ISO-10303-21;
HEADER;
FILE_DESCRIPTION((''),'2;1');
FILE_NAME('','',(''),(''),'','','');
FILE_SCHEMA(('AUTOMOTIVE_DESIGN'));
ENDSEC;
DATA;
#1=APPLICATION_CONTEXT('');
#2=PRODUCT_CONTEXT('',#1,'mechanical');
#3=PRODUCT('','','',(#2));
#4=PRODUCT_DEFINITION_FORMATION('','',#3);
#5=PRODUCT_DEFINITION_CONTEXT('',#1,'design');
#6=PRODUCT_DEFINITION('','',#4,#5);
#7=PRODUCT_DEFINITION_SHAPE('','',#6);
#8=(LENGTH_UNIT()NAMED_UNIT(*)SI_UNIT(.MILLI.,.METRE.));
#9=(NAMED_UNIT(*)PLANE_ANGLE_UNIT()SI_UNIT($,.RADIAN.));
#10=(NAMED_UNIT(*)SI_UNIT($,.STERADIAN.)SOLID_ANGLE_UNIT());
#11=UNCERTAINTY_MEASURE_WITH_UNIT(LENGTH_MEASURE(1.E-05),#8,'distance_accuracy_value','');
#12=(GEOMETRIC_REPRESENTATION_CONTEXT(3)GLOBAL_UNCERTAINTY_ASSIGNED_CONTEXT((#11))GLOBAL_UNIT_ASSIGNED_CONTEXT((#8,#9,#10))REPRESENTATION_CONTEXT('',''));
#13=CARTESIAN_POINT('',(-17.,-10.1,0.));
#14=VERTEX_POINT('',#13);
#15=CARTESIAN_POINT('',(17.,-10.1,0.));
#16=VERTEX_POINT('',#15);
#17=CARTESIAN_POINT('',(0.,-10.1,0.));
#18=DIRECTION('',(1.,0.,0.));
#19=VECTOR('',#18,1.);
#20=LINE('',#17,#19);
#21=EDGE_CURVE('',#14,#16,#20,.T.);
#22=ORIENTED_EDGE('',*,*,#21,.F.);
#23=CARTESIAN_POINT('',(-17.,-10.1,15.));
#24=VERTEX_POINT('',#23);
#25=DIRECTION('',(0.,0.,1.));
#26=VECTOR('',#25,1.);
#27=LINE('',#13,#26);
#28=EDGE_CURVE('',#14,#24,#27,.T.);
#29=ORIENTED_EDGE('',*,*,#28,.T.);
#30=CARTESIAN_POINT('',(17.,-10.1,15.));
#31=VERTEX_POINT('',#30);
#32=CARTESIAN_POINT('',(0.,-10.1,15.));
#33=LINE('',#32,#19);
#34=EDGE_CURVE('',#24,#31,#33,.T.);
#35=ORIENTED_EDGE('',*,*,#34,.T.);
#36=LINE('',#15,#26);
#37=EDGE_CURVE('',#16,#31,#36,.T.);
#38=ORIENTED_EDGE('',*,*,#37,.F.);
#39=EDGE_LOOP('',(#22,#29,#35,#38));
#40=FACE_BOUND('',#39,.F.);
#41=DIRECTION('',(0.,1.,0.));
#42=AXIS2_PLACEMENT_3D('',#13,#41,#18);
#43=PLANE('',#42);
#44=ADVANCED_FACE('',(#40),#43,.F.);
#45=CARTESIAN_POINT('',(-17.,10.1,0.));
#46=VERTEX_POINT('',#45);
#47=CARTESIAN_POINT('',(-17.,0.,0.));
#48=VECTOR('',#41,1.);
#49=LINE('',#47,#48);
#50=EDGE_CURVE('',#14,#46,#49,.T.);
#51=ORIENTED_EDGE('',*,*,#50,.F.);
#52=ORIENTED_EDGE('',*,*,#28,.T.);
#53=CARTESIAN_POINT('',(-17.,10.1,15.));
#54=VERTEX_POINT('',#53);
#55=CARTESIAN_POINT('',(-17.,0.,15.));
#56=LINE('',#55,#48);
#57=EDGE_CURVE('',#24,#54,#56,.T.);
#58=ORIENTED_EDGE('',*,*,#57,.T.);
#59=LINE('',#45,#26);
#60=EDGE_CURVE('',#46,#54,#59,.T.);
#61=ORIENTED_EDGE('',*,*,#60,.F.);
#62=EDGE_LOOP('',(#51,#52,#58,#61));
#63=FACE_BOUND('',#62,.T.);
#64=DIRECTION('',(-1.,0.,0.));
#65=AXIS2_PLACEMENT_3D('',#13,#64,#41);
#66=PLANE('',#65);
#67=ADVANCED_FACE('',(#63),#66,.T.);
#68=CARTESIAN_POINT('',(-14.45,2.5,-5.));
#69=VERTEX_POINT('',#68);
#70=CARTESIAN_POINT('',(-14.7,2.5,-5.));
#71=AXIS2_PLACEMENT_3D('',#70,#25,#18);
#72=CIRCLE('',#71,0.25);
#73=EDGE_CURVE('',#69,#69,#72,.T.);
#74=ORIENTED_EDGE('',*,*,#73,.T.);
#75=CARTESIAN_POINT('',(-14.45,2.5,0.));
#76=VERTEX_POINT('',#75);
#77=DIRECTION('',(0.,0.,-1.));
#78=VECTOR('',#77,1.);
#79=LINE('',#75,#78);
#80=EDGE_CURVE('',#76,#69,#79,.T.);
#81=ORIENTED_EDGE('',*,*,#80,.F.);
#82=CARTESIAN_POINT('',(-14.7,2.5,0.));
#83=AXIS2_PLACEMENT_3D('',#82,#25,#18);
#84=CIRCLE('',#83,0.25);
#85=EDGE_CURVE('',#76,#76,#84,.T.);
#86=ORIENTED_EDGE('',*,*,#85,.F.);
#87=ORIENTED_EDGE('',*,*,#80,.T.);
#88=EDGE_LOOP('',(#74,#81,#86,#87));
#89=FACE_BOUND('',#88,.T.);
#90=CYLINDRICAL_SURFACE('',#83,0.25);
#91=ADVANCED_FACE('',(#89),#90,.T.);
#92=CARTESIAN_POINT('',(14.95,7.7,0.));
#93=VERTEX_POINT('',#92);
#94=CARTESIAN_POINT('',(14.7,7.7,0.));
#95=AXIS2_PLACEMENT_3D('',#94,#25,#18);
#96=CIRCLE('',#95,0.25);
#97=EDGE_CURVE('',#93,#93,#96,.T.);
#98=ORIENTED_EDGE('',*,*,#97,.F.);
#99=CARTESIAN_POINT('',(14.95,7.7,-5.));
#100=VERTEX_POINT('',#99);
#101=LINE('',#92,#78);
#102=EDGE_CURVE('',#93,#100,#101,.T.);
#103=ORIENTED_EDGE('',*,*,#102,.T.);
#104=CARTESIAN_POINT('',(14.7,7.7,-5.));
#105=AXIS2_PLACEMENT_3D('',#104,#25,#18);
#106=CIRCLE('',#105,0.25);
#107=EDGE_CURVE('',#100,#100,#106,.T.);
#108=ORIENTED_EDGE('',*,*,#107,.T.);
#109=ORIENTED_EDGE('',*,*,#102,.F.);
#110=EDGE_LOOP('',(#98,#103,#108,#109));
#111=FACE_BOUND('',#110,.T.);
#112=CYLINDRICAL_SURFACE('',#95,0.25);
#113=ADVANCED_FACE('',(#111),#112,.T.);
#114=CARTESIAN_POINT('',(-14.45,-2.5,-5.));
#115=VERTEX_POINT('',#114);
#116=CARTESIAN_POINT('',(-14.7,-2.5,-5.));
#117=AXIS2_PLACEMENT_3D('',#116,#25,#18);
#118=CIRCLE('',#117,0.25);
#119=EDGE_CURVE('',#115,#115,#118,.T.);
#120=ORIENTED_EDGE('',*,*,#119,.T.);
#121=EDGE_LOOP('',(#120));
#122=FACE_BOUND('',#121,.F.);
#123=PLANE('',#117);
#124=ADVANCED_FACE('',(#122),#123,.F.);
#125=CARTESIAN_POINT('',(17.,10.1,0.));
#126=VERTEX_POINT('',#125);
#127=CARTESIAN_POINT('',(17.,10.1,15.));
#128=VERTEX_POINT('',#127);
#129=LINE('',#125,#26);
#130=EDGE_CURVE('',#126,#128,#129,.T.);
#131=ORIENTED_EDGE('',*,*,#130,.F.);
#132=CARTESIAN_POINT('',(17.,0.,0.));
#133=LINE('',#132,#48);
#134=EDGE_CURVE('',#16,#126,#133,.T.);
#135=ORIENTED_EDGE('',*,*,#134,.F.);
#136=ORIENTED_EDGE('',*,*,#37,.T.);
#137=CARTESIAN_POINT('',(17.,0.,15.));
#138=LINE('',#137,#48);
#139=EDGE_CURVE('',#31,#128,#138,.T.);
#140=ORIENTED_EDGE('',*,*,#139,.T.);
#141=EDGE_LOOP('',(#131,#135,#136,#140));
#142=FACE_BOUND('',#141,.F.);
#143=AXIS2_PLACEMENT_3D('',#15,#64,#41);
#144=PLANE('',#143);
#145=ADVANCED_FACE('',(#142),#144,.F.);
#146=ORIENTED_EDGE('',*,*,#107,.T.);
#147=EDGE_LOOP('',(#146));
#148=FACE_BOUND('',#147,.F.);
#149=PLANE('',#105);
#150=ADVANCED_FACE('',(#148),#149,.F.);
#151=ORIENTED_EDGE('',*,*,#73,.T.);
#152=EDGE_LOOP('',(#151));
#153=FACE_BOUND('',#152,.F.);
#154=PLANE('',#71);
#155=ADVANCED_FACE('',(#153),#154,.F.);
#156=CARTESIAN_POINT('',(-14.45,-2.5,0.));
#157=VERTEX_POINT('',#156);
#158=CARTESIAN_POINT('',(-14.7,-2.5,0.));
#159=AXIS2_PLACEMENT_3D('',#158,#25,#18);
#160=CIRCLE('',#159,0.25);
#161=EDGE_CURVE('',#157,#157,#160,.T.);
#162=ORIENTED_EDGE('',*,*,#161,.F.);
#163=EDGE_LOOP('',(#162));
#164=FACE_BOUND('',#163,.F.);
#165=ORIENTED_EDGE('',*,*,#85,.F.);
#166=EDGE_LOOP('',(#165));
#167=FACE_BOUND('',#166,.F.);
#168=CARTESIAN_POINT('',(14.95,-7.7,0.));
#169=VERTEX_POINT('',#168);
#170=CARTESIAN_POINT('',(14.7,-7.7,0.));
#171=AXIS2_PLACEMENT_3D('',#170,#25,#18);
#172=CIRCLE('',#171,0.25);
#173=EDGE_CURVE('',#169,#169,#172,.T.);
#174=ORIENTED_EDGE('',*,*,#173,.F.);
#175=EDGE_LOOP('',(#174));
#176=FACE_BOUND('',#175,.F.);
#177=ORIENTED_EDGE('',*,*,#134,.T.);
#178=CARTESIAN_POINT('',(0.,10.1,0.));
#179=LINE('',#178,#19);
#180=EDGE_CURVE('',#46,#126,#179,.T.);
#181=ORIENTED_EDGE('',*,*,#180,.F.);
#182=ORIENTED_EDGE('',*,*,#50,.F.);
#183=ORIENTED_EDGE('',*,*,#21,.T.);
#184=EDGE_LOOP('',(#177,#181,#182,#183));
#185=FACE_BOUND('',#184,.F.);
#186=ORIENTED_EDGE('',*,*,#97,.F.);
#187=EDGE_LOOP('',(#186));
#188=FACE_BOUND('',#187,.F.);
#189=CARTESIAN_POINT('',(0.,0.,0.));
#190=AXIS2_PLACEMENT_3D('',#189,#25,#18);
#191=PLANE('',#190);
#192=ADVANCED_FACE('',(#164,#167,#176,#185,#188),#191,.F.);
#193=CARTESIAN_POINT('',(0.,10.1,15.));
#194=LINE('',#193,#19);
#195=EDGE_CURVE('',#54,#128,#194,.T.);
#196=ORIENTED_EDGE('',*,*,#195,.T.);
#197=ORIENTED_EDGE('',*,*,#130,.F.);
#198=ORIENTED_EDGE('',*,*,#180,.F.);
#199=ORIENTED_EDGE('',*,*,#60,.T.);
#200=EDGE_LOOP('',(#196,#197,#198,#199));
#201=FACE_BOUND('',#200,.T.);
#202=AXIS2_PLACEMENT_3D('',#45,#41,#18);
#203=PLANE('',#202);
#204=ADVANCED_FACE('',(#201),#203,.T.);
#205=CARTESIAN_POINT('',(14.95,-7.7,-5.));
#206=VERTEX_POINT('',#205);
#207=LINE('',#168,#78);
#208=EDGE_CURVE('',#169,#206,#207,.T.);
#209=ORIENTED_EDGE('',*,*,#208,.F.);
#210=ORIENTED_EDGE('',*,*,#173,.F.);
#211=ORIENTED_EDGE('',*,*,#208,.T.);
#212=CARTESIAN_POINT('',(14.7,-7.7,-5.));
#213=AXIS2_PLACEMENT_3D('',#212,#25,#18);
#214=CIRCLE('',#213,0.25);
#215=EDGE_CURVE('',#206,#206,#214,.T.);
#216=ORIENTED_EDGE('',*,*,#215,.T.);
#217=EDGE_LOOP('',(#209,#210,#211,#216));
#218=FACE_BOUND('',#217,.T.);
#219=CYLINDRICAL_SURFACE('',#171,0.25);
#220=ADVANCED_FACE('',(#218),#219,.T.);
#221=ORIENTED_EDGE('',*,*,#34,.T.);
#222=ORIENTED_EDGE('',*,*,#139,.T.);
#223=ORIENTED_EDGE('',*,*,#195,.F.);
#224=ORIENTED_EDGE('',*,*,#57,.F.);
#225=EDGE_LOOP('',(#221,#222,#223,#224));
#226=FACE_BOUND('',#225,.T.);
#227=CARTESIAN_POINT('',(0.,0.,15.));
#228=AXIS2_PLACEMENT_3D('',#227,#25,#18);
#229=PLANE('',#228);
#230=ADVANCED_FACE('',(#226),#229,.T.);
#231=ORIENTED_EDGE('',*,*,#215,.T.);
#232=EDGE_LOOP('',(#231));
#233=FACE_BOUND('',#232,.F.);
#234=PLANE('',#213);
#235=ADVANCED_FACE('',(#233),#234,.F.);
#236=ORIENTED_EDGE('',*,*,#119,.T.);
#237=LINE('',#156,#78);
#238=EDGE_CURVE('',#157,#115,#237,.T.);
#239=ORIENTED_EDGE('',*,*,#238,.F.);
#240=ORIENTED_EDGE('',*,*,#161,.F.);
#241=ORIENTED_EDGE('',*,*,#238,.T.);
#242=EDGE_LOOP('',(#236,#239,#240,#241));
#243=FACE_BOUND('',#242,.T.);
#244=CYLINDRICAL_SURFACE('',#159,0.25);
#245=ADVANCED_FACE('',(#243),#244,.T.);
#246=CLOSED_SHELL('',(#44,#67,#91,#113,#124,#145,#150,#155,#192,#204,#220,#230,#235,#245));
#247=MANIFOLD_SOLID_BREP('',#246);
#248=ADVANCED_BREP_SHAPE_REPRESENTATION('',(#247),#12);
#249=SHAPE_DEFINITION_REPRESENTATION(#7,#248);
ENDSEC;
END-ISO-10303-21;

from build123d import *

# Parameters (mm, degrees)
F0_W     = 34
F0_H     = 20.2
F0_R     = 0.25
F1_DEPTH = 15
F2_DEPTH = 5


with BuildPart() as f1:
    # F0 (on Top) → F1 (new body)
    with BuildSketch(Plane.XY):
        Rectangle(F0_W, F0_H)
        with Locations((-14.7, -2.5)):
            Circle(F0_R, mode=Mode.SUBTRACT)
        with Locations((14.7, -7.7)):
            Circle(F0_R, mode=Mode.SUBTRACT)
        with Locations((-14.7, 2.5)):
            Circle(F0_R, mode=Mode.SUBTRACT)
        with Locations((14.7, 7.7)):
            Circle(F0_R, mode=Mode.SUBTRACT)
        with Locations((14.7, 7.7)):
            Circle(F0_R)
        with Locations((-14.7, -2.5)):
            Circle(F0_R)
        with Locations((-14.7, 2.5)):
            Circle(F0_R)
        with Locations((14.7, -7.7)):
            Circle(F0_R)
    extrude(amount=F1_DEPTH)

    # F0 (on Top) → F2 (join)
    with BuildSketch(Plane.XY):
        with Locations((14.7, 7.7)):
            Circle(F0_R)
        with Locations((-14.7, -2.5)):
            Circle(F0_R)
        with Locations((-14.7, 2.5)):
            Circle(F0_R)
        with Locations((14.7, -7.7)):
            Circle(F0_R)
    extrude(amount=-F2_DEPTH)


solid = f1.part
